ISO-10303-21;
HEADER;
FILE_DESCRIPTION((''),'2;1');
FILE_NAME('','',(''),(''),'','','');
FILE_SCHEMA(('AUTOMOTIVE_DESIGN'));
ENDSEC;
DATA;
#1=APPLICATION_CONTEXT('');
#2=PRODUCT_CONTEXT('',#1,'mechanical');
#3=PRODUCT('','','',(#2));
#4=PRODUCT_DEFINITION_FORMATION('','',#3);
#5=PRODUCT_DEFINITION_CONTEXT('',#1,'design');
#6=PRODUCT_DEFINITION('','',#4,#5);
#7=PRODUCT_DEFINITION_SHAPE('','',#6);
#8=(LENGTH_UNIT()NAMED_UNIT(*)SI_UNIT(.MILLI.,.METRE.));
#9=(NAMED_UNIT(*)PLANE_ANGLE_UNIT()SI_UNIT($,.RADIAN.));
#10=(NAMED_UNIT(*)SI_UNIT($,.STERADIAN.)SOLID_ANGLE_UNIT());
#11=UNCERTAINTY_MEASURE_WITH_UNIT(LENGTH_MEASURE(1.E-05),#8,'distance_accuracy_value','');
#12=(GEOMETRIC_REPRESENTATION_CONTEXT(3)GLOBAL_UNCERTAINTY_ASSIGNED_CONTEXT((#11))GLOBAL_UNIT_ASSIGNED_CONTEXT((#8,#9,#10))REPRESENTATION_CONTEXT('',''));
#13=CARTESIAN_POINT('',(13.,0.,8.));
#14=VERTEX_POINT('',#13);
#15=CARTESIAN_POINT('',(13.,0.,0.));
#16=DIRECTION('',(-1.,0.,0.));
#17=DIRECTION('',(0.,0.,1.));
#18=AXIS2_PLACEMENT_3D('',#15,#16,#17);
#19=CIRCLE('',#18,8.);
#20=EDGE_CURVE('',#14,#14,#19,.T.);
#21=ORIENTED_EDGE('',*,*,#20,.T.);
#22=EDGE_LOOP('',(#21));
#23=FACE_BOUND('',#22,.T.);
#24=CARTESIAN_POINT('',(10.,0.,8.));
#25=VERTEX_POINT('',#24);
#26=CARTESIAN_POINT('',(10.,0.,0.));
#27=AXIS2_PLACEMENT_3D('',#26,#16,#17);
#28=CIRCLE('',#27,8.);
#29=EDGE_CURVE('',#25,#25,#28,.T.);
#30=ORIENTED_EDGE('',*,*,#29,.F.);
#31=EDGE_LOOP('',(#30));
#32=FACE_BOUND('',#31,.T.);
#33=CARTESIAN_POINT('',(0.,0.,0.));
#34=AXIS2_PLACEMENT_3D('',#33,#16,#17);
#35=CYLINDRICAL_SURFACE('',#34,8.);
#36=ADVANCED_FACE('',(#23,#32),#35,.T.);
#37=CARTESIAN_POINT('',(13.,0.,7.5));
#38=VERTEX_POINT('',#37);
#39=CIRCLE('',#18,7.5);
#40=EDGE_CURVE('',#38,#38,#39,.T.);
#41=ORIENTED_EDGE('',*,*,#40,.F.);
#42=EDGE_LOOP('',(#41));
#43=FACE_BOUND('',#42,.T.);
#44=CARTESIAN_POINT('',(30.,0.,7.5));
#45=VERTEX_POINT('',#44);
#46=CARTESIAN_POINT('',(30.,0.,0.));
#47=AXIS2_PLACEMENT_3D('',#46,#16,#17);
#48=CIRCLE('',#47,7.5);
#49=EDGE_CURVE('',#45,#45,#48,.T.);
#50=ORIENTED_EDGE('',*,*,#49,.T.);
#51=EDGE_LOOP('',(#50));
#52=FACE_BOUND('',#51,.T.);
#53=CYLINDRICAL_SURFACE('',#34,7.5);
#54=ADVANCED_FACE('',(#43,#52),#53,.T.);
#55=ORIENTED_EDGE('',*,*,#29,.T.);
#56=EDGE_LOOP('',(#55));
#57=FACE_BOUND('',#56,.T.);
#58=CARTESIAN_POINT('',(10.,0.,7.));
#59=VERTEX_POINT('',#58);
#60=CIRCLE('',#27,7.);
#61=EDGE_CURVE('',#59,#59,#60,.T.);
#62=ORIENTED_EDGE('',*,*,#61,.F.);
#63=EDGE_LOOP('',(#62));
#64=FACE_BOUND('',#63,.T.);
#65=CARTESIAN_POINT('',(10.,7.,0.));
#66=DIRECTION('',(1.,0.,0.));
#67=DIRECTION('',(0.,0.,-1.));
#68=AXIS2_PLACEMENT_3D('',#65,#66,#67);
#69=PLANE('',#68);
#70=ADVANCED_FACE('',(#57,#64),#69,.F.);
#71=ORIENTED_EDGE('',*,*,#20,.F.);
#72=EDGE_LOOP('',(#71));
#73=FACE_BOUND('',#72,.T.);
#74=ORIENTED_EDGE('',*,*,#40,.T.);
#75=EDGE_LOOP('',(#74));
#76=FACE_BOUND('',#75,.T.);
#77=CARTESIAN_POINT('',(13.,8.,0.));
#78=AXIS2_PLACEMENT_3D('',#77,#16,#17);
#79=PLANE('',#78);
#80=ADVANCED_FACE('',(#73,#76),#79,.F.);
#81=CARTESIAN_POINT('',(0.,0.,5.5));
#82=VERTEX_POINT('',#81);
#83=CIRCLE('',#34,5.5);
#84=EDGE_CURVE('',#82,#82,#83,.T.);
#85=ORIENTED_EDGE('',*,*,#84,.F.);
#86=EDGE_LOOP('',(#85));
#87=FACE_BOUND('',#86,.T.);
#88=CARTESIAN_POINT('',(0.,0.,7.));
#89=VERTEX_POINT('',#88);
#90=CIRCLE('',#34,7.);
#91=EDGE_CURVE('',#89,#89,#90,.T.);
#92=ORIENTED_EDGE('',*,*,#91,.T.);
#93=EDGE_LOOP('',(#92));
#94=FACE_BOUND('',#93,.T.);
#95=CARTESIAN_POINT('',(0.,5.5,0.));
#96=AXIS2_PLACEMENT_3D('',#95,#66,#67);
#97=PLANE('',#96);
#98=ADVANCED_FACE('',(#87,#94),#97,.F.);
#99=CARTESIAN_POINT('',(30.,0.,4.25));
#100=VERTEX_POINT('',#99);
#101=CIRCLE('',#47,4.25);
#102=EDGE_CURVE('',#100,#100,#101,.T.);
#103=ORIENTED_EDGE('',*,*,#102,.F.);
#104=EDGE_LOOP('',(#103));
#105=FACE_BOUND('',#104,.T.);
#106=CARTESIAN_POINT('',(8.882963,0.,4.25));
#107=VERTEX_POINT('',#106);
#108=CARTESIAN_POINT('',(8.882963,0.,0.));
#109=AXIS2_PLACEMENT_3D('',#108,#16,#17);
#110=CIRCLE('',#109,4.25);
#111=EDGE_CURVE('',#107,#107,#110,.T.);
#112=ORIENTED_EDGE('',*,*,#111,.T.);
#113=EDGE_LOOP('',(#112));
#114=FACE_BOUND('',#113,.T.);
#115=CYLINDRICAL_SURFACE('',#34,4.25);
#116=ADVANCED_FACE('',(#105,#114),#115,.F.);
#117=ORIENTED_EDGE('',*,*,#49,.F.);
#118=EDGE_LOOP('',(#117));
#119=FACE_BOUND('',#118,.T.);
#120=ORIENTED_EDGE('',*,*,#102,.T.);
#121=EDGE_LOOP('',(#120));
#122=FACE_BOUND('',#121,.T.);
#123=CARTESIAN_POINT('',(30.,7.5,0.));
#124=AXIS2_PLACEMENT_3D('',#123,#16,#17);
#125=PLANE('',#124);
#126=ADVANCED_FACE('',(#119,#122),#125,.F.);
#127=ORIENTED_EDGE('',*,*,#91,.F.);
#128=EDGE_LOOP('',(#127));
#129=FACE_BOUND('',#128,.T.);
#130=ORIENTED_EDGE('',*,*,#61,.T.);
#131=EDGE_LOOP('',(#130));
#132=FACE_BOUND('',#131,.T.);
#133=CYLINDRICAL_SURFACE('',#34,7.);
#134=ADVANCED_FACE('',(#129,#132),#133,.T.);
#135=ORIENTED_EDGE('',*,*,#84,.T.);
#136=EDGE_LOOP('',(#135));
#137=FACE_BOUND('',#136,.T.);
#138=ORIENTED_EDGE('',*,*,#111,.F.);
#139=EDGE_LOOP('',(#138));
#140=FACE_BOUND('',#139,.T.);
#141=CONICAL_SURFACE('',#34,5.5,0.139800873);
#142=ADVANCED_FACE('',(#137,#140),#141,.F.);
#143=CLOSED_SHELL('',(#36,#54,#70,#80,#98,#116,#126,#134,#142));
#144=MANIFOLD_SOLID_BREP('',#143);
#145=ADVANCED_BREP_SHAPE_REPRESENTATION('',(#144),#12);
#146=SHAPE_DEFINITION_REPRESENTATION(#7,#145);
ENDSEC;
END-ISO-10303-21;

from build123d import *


with BuildPart() as part:
    # Sketch1 → Revolve1 (revolve)
    with BuildSketch(Plane.XY):
        Polygon((0, 5.5), (0, 7), (10, 7), (10, 8), (13, 8), (13, 7.5), (30, 7.5), (30, 4.25), (8.882962535, 4.25), align=None)
    revolve(axis=Axis((0, 0, 0), (1, 0, 0)))


solid = part.part
